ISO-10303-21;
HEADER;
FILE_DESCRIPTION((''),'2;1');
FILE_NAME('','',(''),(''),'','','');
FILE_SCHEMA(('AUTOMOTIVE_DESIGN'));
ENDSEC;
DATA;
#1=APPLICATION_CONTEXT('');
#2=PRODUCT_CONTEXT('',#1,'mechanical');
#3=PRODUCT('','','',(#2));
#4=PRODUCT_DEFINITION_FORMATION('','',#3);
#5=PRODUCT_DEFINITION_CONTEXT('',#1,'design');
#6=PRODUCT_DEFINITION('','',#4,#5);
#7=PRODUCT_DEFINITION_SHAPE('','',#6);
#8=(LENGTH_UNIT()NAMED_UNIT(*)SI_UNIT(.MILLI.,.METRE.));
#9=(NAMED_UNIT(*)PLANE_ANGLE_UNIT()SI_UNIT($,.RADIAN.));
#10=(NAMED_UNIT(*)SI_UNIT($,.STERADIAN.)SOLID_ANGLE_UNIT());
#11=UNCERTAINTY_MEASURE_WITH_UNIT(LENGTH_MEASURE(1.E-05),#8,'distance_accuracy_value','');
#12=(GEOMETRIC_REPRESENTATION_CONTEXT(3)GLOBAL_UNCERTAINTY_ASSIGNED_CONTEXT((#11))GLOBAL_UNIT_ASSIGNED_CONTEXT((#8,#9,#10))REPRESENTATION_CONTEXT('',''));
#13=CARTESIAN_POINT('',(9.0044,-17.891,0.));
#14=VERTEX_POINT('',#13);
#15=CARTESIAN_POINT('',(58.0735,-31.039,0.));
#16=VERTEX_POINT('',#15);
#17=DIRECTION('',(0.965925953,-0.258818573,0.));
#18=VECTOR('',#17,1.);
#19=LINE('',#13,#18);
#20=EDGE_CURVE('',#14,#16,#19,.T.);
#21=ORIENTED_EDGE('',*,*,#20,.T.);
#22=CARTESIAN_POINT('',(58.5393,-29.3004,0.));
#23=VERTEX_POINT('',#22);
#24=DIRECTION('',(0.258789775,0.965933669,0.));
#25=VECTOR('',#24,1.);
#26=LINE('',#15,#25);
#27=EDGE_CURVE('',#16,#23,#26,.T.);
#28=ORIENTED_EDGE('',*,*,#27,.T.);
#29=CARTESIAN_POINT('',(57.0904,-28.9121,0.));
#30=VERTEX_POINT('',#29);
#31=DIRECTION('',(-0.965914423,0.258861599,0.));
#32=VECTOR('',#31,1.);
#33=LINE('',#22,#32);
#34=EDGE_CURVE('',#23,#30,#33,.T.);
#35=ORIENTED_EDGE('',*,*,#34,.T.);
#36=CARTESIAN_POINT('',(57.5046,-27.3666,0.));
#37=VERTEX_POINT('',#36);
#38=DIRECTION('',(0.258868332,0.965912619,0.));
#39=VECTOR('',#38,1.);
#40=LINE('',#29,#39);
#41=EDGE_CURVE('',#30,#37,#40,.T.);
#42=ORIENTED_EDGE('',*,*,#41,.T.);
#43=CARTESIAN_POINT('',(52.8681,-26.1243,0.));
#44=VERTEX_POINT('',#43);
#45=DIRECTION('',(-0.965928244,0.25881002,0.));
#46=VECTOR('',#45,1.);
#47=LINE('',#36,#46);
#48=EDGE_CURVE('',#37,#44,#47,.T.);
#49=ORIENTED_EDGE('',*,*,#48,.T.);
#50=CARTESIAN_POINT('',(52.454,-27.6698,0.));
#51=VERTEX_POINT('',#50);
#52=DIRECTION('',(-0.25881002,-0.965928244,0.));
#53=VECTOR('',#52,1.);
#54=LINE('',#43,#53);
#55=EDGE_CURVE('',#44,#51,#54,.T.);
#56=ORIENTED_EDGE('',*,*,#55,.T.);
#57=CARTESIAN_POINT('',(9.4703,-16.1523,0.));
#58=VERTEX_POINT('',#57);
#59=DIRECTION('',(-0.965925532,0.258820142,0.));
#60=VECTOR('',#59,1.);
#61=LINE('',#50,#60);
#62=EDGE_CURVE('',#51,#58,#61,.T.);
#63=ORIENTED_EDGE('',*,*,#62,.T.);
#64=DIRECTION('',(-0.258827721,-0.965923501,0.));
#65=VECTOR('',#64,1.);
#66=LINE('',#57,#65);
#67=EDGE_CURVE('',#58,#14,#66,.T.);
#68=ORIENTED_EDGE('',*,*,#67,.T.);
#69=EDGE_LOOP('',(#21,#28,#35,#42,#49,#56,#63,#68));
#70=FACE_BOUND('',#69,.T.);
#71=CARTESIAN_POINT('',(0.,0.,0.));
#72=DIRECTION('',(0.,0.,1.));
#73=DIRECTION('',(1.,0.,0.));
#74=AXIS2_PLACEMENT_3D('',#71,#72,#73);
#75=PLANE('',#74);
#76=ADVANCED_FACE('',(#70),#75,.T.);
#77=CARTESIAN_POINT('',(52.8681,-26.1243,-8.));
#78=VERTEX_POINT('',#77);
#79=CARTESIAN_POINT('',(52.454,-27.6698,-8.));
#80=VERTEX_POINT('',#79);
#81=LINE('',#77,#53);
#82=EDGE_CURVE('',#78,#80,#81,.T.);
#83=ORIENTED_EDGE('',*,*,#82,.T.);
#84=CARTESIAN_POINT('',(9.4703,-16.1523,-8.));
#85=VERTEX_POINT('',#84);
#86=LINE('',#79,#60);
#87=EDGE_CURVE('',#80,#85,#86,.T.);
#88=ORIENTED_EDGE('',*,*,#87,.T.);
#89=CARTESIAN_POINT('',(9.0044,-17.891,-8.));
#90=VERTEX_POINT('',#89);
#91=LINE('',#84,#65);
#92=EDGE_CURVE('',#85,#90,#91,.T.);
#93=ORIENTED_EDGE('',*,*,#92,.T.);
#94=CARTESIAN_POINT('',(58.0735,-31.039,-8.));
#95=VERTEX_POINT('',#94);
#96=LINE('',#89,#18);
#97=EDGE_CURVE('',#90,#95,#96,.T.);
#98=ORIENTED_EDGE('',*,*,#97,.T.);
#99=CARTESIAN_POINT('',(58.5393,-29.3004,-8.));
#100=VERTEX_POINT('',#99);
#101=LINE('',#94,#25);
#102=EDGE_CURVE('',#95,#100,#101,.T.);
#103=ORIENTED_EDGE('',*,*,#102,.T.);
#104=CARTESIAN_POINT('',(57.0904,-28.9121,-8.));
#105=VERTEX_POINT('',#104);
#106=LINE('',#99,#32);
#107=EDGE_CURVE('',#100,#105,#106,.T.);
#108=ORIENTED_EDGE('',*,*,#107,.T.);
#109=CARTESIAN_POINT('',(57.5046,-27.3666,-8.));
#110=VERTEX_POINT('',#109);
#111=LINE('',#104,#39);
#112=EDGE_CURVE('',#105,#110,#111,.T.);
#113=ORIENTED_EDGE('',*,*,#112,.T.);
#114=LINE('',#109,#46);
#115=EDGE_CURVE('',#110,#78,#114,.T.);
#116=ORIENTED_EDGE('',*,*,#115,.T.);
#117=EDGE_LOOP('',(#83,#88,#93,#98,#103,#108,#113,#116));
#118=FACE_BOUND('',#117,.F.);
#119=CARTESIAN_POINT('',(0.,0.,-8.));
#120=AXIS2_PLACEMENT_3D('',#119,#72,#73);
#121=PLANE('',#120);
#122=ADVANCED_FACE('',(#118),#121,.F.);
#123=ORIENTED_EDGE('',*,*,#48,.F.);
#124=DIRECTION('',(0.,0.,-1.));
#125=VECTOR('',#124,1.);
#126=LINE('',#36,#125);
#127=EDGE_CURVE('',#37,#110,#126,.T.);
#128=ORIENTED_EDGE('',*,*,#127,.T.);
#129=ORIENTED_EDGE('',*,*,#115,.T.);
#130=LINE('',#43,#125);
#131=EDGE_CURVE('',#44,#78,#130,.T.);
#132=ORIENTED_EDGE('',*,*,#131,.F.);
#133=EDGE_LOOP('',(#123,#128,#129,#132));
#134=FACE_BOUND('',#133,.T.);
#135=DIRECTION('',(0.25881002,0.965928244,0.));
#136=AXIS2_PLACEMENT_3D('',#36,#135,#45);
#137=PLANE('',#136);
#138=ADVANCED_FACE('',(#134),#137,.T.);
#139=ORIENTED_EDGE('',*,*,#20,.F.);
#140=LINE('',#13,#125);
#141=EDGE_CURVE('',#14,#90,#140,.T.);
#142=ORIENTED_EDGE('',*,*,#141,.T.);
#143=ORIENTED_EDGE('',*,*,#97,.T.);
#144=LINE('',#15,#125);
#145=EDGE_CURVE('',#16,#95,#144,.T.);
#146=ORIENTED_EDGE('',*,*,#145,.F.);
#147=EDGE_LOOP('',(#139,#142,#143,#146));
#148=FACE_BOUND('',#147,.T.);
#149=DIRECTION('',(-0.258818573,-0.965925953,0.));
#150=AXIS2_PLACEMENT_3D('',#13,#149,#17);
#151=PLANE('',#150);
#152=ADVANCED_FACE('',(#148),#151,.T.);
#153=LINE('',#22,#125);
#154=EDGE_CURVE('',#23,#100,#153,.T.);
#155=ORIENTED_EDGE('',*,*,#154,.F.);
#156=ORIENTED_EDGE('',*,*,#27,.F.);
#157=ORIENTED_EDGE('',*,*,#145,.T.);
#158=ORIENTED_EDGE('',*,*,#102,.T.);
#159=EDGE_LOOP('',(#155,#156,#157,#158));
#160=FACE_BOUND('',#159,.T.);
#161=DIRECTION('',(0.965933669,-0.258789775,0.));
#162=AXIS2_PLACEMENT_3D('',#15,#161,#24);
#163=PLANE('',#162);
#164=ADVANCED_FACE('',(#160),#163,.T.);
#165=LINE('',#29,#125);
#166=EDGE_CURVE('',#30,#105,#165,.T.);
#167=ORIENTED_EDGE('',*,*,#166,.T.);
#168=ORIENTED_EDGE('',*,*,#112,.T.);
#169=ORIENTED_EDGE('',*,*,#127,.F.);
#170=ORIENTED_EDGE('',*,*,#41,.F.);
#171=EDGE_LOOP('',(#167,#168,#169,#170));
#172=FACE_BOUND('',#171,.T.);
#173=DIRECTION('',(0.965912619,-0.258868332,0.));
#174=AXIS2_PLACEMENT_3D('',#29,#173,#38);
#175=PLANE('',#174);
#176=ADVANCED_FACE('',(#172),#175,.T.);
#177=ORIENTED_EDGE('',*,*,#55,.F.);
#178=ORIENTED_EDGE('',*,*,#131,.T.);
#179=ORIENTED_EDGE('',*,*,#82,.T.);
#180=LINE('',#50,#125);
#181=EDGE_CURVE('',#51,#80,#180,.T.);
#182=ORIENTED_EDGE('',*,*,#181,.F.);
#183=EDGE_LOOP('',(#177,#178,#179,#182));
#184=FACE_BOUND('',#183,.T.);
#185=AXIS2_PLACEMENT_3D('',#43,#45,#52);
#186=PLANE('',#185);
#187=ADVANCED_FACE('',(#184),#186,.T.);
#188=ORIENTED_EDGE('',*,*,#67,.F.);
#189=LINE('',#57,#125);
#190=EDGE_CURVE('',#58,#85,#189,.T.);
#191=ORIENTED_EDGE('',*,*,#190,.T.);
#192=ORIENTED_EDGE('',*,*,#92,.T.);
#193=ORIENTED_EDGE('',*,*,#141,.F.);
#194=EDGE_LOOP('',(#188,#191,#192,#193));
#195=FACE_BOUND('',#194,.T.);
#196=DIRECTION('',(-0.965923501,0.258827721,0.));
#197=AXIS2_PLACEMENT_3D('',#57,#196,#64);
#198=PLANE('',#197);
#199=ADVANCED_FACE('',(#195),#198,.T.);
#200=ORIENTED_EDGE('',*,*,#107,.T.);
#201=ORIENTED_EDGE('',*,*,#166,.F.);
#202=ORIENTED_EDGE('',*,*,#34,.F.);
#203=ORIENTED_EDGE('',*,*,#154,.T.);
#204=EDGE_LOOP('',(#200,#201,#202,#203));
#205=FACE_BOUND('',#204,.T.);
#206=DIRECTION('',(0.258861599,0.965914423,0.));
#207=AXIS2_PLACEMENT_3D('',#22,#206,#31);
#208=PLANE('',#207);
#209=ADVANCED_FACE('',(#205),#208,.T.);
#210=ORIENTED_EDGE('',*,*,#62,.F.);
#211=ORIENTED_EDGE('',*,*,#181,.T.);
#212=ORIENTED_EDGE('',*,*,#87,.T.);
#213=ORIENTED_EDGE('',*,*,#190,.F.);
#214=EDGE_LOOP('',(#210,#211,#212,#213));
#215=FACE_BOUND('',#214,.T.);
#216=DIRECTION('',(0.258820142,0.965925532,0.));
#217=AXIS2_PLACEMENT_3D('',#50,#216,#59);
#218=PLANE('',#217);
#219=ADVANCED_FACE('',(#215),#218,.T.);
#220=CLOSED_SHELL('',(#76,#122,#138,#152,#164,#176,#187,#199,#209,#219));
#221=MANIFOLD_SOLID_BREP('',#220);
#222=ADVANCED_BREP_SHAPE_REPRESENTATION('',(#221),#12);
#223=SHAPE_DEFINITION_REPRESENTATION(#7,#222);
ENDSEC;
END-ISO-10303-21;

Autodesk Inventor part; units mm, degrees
ref_plane "YZ Plane" through (0, 0, 0) normal (1, 0, 0) x (0, 1, 0)
ref_plane "XZ Plane" through (0, 0, 0) normal (0, 1, 0) x (-1, 0, 0)
ref_plane "XY Plane" through (0, 0, 0) normal (0, 0, 1) x (1, 0, 0)
sketch "Skizze1" plane through (0, 0, 0) normal (0, 0, 1) x (1, 0, 0)
  line L0 (52.7974, -26.0018) -> (57.627, -27.2959) projected
  line L1 (52.3833, -27.5473) -> (52.7974, -26.0018) projected
  line L2 (57.627, -27.2959) -> (57.2129, -28.8414) projected
  line L3 (58.6618, -29.2296) -> (58.1442, -31.1615) projected
  line L4 (57.2129, -28.8414) -> (58.6618, -29.2296) projected
  line L5 (58.1442, -31.1615) -> (8.882, -17.9617)
  line L6 (8.882, -17.9617) -> (9.3996, -16.0299)
  line L7 (9.3996, -16.0299) -> (52.3833, -27.5473)
  line L8 (9.0044, -17.891) -> (58.0735, -31.039)
  line L9 (58.0735, -31.039) -> (58.5393, -29.3004)
  line L10 (58.5393, -29.3004) -> (57.0904, -28.9121)
  line L11 (57.0904, -28.9121) -> (57.5046, -27.3666)
  line L12 (57.5046, -27.3666) -> (52.8681, -26.1243)
  line L13 (52.8681, -26.1243) -> (52.454, -27.6698)
  line L14 (52.454, -27.6698) -> (9.4703, -16.1523)
  line L15 (9.4703, -16.1523) -> (9.0044, -17.891)
  point P0 (0, 0)
  dimension "d0" = 51
  dimension "d2" = 2
  dimension "d5" = 0.1
extrude "Extrusion1" add sketch "Skizze1" against normal blind 8 contours L15 L14 L13 L12 L11 L10 L9 L8
properties part number "Spring"
